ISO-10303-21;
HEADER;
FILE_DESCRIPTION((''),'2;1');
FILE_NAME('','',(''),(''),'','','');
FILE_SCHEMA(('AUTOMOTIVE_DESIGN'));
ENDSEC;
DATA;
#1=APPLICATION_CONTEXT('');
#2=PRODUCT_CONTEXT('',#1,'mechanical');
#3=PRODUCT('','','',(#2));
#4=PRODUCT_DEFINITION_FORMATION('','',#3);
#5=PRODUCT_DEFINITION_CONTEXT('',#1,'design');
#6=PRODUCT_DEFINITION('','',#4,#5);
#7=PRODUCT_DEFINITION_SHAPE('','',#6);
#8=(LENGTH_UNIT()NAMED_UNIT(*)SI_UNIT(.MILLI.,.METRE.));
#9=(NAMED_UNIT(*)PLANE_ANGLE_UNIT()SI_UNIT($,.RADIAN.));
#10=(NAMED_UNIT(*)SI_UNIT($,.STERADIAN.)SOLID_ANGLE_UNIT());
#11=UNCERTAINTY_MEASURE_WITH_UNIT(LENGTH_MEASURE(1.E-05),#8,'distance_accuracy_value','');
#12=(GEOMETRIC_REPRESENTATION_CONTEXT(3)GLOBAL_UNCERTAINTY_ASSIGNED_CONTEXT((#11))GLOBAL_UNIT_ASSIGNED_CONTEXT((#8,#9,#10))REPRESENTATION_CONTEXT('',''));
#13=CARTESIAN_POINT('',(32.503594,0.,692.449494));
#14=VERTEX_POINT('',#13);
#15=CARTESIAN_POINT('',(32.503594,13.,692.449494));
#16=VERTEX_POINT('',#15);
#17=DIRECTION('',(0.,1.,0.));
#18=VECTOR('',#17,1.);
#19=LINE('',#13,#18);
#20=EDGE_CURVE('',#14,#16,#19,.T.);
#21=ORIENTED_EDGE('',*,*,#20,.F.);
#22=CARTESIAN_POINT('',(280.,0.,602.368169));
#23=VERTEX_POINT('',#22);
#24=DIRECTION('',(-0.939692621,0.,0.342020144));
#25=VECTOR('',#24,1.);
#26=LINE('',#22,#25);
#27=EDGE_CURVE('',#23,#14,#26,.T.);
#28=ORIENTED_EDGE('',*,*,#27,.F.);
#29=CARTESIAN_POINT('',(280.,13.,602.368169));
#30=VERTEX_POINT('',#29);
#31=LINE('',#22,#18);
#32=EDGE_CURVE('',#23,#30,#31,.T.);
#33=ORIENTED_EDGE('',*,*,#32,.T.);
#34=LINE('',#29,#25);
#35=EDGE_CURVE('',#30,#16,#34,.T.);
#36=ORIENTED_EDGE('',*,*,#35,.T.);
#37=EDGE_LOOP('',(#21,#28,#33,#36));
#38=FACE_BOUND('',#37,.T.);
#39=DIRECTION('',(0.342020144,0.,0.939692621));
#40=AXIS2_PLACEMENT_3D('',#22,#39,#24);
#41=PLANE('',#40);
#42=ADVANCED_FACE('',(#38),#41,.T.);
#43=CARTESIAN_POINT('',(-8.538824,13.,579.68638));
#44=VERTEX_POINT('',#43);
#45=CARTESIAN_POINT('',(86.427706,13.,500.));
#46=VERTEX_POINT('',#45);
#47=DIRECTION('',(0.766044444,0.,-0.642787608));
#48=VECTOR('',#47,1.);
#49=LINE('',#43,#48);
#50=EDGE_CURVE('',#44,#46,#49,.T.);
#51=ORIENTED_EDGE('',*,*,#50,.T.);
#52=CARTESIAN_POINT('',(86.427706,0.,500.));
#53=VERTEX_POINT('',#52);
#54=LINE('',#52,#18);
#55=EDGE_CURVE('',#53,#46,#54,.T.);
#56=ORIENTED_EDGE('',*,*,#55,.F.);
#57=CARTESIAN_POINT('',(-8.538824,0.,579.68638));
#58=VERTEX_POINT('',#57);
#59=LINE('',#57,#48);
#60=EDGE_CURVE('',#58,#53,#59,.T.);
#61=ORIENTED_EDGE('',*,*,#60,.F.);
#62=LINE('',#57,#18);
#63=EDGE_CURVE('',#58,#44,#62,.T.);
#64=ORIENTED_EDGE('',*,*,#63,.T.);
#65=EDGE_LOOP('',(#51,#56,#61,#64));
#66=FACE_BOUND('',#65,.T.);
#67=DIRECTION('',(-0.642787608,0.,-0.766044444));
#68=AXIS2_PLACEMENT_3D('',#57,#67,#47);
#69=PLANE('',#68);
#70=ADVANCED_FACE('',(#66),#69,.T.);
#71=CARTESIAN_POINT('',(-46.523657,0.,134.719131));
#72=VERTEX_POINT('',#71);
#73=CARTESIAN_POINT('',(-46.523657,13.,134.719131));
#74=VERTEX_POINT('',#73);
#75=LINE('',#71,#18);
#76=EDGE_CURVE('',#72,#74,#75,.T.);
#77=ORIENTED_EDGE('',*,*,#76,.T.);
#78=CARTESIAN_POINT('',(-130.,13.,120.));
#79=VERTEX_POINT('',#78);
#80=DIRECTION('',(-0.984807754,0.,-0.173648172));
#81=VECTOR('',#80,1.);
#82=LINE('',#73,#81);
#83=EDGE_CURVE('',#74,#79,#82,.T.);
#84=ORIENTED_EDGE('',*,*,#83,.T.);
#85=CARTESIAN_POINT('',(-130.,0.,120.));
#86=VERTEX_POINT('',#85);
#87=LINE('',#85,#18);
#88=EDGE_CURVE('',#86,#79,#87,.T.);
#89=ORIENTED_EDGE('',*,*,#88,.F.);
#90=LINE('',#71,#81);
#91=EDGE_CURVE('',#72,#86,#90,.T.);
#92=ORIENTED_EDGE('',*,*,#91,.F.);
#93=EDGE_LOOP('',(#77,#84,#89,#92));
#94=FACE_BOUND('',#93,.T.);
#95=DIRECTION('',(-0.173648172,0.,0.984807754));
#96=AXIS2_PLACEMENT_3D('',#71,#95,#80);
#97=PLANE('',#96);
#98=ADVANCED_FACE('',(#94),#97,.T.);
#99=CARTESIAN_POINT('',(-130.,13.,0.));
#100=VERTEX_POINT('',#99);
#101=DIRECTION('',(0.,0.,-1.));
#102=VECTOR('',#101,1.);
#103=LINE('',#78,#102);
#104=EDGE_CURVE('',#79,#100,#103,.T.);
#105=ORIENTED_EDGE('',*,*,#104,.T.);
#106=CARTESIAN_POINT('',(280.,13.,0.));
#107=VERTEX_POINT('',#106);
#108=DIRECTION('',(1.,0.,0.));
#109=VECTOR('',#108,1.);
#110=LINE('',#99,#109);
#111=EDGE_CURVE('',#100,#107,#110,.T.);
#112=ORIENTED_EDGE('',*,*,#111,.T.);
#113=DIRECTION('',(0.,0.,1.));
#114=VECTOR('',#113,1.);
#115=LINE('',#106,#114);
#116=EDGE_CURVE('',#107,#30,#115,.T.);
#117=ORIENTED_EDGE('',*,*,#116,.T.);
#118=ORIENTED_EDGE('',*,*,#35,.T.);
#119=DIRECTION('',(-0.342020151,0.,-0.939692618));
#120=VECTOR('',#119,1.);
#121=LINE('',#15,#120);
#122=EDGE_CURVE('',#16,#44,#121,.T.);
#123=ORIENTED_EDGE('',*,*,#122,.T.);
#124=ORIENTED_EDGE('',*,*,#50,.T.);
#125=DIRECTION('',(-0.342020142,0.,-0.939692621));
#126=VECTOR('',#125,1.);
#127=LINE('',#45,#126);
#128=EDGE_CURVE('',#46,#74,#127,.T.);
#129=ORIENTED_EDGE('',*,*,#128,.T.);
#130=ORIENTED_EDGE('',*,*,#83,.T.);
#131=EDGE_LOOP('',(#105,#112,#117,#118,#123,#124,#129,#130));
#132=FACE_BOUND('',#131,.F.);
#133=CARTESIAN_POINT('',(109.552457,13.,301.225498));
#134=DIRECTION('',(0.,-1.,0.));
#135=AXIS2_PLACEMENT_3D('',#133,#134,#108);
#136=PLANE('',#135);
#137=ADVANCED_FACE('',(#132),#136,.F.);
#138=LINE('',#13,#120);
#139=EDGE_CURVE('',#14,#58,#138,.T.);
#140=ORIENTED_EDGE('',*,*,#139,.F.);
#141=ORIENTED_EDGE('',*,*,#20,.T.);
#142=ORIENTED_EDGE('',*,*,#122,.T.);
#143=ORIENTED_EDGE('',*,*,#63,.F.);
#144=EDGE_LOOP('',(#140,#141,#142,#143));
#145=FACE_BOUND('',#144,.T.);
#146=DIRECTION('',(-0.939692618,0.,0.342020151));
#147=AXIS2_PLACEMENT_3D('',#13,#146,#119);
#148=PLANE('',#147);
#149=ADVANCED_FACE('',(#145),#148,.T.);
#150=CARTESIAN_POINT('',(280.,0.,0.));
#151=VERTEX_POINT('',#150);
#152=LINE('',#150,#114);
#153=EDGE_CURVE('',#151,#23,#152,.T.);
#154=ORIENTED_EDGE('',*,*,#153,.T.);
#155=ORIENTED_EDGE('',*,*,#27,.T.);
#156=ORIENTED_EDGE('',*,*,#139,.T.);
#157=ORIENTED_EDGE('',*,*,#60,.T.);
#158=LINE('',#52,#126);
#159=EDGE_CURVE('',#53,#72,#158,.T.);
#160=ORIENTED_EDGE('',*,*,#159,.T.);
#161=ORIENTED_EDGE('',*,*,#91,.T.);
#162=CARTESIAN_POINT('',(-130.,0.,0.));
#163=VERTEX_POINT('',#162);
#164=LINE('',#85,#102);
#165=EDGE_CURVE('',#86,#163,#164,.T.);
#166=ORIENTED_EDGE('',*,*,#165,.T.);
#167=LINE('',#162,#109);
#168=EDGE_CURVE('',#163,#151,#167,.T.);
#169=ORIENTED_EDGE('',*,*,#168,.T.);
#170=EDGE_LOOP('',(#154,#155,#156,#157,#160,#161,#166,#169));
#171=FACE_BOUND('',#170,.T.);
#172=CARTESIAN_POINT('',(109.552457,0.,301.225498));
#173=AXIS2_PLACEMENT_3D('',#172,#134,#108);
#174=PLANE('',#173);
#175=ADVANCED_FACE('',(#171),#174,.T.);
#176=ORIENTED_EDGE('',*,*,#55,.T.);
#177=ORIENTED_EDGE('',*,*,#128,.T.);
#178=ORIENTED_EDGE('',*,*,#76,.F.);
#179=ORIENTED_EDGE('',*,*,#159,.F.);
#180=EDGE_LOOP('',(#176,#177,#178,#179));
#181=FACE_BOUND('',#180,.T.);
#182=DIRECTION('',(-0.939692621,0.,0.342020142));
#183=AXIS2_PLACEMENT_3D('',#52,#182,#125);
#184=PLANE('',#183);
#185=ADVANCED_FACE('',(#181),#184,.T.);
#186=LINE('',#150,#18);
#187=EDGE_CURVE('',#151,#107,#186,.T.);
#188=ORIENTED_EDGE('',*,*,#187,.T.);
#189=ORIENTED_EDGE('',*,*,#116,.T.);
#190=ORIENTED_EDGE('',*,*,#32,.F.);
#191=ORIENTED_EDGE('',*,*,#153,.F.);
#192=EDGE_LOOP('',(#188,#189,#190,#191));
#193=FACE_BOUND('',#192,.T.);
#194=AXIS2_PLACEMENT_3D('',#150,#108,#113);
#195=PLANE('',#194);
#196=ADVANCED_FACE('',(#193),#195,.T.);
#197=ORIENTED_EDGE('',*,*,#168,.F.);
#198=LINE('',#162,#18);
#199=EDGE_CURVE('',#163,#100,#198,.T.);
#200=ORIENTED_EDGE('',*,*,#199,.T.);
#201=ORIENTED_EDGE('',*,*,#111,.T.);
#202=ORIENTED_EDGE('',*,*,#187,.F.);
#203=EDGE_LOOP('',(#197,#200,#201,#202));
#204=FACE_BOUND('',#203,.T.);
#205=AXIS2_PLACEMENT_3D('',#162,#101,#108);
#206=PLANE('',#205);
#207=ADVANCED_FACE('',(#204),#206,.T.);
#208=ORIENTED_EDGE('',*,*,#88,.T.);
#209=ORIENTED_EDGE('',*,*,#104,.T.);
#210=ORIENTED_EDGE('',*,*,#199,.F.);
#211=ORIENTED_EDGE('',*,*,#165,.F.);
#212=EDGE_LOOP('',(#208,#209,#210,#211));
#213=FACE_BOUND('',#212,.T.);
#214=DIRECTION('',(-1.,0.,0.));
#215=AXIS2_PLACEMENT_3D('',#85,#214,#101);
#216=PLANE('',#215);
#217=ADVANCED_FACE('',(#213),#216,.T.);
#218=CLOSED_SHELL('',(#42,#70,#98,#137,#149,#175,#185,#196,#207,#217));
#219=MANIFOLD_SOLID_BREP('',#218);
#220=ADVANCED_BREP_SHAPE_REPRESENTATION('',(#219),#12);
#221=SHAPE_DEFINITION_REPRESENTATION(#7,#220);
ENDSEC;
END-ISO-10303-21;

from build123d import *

# Parameters (mm, degrees)
PAD_DEPTH = 13


with BuildPart() as part:
    # Sketch → Pad (new body)
    with BuildSketch(Plane.XZ):
        Polygon((0, 0), (280, 0), (280, 445.460485), (280, 602.368169), (32.503594, 692.449494), (-8.538824, 579.68638), (86.427706, 500), (-46.523657, 134.719131), (-130, 120), (-130, 0), align=None)
    extrude(amount=-PAD_DEPTH)


solid = part.part
